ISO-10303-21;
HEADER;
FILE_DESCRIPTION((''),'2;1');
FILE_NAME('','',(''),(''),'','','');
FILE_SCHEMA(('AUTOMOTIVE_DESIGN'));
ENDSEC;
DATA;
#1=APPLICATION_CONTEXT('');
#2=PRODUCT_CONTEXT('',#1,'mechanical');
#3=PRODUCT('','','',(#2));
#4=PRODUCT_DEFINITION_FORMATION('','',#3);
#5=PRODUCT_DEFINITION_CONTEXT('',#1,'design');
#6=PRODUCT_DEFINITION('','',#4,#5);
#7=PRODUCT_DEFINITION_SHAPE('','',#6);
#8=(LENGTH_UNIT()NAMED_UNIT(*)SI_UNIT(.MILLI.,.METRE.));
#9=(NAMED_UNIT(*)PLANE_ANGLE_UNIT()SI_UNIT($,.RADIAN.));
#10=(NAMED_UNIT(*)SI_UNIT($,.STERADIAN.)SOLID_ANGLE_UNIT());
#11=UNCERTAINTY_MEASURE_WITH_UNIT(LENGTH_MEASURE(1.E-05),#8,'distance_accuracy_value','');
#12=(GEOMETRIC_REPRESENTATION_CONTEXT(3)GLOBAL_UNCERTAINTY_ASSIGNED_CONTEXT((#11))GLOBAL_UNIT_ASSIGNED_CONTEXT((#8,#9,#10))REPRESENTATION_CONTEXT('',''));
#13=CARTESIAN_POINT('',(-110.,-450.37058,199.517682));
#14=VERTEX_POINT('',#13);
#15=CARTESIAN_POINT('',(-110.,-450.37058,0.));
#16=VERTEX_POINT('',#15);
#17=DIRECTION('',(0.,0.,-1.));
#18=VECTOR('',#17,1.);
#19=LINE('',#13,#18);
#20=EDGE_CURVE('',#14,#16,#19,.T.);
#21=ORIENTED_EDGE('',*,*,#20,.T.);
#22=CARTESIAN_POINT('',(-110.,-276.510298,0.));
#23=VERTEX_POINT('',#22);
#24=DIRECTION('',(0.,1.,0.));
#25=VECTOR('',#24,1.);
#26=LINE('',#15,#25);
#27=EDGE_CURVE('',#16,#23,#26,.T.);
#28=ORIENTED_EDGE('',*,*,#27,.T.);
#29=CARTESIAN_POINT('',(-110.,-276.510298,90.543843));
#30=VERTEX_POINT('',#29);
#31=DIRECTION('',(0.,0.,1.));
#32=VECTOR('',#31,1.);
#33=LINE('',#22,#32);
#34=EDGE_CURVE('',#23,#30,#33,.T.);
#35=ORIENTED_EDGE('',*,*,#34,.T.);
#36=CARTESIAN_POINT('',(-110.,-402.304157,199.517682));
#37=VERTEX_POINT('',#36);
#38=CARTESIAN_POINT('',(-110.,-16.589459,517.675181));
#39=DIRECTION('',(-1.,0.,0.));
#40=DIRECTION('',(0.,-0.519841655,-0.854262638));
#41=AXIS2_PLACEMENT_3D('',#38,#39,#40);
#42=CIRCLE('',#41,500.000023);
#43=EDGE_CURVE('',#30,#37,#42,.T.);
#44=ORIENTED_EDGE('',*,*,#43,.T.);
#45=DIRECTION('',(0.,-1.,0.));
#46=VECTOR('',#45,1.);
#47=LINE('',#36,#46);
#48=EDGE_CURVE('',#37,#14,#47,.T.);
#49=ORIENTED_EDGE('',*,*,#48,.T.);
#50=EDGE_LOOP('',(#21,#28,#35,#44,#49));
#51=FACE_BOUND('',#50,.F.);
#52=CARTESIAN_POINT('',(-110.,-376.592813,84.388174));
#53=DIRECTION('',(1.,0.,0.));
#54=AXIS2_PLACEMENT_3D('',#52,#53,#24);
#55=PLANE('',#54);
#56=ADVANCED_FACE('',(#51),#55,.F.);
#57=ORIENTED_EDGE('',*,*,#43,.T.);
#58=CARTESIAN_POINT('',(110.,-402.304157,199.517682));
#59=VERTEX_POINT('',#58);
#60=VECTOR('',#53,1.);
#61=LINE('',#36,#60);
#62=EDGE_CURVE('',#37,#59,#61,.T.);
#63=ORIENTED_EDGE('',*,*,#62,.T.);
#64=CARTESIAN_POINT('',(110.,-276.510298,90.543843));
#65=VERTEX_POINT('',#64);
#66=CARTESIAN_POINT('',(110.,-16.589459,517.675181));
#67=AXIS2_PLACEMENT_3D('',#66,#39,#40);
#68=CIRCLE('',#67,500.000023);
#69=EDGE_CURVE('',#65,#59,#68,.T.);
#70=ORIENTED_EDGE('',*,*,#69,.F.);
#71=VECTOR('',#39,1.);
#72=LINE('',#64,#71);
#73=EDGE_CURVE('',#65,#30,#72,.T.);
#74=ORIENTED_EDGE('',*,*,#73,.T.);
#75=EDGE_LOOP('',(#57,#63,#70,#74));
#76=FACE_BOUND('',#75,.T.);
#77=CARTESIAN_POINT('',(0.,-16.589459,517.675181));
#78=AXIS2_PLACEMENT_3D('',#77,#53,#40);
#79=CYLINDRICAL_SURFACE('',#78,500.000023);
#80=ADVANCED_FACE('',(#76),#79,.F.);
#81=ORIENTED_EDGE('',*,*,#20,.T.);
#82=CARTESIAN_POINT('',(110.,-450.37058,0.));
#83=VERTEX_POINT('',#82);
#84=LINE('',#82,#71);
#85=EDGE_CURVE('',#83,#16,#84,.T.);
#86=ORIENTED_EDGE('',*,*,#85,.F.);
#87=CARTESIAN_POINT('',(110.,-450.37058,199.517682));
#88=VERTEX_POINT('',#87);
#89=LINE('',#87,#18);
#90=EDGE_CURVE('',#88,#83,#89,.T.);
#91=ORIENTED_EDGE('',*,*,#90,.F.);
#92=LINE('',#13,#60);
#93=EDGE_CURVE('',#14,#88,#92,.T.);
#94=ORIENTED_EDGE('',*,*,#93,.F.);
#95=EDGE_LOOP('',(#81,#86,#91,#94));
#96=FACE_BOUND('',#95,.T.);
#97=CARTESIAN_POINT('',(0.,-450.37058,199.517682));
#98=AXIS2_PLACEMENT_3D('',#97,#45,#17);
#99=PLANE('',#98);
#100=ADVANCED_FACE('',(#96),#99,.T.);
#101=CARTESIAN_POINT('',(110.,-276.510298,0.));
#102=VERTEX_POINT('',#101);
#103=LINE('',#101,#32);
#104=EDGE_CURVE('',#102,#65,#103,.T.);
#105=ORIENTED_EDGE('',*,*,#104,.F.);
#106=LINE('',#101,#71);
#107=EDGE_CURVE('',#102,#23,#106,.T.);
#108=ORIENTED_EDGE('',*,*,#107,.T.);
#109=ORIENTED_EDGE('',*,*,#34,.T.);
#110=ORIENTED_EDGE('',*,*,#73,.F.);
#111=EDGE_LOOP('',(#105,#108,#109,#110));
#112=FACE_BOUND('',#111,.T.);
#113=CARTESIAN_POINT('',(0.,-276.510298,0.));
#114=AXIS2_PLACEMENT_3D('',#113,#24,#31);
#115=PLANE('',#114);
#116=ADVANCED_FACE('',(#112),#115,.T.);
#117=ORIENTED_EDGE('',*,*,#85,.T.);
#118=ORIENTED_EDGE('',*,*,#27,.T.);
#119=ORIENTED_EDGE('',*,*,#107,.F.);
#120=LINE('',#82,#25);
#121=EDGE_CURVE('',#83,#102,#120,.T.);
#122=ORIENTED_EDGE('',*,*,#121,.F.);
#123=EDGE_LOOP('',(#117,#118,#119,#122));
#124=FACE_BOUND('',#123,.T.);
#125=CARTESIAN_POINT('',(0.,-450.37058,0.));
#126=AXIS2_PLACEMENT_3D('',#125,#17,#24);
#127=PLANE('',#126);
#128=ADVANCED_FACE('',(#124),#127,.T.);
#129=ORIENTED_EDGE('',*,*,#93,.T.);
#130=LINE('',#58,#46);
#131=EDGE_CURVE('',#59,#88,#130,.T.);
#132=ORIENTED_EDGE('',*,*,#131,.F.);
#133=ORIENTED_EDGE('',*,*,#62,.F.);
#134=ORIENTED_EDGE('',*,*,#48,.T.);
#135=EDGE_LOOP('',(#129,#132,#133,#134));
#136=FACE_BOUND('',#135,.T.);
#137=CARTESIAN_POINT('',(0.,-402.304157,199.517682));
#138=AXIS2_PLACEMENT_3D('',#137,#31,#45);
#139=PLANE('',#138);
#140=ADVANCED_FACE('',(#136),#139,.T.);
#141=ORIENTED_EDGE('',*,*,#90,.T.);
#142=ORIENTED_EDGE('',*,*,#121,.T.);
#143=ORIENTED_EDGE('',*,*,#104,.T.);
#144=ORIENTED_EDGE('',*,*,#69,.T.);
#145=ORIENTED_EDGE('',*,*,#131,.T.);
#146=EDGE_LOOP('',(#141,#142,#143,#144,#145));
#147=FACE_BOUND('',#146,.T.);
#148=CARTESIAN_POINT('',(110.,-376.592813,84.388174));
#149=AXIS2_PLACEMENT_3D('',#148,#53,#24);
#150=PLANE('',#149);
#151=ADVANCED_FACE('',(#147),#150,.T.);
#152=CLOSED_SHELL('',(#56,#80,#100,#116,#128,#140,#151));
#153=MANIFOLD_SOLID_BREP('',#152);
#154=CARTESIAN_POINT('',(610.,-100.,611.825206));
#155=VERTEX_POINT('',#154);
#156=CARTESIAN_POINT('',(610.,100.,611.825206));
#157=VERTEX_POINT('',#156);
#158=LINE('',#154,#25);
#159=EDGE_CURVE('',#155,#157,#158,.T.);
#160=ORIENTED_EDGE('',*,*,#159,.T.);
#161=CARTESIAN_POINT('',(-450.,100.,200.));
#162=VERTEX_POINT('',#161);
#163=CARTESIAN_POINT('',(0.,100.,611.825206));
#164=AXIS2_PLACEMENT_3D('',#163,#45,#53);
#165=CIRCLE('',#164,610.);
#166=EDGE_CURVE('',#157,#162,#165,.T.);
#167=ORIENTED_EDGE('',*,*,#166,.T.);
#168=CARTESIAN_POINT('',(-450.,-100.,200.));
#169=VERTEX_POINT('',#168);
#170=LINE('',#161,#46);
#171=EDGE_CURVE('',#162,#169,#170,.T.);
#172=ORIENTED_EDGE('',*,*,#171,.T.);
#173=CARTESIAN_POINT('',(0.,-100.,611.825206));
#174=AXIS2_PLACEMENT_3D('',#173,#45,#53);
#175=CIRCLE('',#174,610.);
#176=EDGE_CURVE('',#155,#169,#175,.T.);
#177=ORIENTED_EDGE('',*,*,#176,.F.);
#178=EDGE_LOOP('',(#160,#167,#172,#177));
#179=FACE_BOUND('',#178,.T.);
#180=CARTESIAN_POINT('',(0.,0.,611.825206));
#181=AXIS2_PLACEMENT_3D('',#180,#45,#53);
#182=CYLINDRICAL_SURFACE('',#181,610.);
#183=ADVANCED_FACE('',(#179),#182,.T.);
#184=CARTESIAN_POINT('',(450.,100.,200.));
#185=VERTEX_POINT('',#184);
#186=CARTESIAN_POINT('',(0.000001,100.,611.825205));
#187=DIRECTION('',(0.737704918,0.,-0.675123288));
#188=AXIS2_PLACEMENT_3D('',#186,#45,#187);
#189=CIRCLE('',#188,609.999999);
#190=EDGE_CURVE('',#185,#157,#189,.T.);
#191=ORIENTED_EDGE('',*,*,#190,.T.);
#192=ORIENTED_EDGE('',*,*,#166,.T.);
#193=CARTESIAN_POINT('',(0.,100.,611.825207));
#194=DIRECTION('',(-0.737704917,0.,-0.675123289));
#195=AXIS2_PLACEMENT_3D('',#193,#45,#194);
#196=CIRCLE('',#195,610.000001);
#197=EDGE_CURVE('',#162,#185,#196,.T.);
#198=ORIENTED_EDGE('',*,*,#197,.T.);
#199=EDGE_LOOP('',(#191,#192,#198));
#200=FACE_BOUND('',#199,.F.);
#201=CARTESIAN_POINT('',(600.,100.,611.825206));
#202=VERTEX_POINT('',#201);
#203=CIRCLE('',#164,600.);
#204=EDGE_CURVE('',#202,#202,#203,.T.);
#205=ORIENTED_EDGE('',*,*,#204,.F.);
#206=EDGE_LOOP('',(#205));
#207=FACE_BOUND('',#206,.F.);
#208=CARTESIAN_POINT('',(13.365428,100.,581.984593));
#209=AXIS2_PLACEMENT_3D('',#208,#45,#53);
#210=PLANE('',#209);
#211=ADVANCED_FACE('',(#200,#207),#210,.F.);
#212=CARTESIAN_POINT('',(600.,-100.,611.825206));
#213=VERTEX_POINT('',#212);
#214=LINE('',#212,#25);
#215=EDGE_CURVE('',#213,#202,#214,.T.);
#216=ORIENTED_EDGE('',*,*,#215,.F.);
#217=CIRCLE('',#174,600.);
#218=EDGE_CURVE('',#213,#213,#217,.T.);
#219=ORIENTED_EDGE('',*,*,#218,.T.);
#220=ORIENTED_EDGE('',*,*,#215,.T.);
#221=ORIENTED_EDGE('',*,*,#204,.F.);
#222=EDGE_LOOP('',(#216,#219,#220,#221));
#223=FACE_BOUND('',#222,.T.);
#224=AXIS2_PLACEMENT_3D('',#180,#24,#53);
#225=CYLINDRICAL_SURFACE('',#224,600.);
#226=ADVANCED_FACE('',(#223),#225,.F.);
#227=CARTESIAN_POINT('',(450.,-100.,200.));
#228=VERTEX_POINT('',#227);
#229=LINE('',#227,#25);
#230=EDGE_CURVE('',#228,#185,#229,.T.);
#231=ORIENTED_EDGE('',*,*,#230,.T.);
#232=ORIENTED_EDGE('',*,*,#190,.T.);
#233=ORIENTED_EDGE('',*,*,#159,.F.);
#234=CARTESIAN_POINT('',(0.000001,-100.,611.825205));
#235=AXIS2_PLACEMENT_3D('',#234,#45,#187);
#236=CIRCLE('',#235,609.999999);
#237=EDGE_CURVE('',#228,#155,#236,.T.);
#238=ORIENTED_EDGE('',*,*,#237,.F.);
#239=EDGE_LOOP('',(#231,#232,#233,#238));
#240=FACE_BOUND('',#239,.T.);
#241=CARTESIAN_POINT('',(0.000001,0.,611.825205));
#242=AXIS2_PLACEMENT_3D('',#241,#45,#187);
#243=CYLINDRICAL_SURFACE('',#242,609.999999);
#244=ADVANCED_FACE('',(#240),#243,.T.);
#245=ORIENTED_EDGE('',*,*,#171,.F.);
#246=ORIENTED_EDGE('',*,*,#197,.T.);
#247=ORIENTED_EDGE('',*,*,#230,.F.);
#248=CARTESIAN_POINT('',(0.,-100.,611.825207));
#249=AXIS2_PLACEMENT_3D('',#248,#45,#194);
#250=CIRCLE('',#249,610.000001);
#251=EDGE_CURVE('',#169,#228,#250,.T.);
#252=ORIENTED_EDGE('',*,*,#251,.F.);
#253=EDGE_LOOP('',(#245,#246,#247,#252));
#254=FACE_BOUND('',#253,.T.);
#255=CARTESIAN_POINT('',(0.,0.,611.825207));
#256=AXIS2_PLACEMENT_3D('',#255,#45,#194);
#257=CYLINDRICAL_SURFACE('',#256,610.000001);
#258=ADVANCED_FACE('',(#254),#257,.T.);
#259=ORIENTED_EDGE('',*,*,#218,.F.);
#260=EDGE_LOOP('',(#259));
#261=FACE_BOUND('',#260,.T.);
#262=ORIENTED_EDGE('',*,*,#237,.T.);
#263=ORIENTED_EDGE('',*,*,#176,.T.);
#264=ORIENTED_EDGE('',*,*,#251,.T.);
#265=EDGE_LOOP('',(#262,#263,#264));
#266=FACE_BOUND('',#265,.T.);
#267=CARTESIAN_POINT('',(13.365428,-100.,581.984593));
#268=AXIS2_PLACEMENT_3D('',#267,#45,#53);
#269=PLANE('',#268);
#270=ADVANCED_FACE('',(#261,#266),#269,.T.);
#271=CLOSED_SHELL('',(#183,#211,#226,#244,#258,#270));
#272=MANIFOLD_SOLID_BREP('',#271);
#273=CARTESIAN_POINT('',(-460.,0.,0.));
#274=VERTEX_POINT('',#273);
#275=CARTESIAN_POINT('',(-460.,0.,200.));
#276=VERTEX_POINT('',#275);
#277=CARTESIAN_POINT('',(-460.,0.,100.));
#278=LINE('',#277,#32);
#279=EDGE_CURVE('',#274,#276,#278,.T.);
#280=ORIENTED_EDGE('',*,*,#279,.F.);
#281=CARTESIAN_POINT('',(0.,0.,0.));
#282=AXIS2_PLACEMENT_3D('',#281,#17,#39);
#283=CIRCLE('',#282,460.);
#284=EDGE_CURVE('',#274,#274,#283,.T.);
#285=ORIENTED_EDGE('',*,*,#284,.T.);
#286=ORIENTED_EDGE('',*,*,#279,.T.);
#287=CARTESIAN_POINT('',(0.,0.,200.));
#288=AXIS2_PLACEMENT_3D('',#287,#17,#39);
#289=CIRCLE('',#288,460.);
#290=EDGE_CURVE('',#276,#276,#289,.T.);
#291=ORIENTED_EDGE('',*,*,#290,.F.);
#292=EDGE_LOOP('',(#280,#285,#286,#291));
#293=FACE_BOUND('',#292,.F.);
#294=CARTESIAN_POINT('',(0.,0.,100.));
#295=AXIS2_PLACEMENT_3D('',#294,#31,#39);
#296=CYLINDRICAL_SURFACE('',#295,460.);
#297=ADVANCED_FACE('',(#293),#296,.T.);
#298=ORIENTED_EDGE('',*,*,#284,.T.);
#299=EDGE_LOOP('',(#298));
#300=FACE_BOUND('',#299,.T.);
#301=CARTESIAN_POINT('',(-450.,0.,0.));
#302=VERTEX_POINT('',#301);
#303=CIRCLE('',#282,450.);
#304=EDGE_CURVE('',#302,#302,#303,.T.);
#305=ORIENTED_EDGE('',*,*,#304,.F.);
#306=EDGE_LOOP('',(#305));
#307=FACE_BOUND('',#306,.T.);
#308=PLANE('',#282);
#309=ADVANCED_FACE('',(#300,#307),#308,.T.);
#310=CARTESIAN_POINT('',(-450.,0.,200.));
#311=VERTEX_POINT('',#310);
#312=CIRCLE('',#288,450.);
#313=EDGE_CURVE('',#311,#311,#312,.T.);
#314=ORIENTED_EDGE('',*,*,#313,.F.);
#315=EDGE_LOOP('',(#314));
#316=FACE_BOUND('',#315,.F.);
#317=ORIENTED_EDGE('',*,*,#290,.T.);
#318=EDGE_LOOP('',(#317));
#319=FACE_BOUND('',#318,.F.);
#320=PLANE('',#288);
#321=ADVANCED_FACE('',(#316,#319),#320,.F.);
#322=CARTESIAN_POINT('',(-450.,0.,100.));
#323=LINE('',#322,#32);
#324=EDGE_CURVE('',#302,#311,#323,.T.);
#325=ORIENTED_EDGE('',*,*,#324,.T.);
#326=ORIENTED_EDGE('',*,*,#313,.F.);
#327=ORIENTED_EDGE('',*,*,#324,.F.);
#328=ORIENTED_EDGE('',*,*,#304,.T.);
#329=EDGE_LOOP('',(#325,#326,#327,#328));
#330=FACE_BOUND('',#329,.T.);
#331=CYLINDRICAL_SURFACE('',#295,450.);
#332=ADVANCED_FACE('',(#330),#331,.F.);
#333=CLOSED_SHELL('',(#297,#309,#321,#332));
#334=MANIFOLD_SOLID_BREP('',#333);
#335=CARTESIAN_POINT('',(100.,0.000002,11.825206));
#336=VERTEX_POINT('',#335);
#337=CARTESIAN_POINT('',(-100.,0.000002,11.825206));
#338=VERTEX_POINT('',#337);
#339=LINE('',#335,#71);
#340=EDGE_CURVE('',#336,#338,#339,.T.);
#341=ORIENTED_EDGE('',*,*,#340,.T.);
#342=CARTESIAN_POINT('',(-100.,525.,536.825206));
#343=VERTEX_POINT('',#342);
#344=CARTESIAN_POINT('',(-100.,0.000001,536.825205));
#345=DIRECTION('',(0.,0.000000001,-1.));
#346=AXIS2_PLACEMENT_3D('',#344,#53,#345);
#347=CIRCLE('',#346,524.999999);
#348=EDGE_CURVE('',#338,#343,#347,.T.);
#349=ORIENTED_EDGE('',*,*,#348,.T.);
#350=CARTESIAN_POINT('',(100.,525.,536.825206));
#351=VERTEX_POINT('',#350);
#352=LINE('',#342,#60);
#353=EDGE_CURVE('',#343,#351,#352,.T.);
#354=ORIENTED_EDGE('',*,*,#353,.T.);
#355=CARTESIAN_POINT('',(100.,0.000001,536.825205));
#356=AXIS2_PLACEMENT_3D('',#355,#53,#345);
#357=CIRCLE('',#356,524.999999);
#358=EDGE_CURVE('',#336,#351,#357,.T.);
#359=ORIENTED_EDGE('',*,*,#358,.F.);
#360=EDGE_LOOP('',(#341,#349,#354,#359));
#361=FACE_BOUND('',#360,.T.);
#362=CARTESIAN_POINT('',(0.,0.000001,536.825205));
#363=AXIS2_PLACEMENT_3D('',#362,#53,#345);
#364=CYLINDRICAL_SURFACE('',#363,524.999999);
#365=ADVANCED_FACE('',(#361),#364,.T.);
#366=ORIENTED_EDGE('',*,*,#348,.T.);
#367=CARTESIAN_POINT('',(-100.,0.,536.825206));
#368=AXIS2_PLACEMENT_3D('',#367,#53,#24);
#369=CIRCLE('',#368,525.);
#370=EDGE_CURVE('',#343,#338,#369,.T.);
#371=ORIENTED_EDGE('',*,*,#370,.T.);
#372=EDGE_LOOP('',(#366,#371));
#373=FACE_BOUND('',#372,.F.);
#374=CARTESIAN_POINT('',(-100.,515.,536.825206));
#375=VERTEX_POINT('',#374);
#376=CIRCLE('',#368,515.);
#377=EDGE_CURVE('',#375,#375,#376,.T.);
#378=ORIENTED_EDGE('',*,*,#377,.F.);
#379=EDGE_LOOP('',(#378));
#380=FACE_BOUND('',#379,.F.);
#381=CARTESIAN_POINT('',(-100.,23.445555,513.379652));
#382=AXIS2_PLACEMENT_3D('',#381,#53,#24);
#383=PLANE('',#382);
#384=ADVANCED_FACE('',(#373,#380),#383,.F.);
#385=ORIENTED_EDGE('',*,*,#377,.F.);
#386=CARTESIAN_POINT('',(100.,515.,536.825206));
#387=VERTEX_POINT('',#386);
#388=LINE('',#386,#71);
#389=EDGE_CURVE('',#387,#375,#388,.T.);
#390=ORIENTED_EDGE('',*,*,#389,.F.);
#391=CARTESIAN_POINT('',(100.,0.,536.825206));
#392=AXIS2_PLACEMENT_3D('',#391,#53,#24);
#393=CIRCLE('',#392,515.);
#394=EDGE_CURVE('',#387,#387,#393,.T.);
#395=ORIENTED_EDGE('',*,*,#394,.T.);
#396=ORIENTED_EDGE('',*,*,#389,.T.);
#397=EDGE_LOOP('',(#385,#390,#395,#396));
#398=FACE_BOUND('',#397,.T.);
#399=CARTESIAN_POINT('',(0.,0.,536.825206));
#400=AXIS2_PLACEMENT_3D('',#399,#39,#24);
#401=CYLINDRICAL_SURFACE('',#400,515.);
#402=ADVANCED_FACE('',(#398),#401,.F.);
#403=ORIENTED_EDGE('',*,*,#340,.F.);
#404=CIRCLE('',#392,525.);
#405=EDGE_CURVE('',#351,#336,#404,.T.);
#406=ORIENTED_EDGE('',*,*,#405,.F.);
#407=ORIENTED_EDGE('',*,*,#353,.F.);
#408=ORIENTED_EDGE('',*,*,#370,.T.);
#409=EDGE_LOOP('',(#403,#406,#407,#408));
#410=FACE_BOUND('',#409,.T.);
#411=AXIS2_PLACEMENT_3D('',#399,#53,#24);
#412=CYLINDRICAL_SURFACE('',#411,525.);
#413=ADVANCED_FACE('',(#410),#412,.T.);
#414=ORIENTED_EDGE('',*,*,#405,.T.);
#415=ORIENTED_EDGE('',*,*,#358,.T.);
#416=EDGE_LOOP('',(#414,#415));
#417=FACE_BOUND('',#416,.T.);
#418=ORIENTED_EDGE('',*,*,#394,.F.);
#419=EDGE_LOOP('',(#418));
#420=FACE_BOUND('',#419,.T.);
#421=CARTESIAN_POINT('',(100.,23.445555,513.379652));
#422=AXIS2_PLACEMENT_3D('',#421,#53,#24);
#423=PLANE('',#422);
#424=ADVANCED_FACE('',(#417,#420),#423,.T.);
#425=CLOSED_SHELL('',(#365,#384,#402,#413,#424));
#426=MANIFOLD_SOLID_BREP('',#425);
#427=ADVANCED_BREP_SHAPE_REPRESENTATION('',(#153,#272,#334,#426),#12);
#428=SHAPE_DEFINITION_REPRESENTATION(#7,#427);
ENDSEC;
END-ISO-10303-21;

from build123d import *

# Parameters (mm, degrees)
F0_R     = 600
F1_DEPTH = 100
F0_W     = 10
F0_H     = 200
F4_R     = 515
F5_DEPTH = 100
F7_DEPTH = 110


with BuildPart() as f1:
    # F0 (on Front) → F1 (new body, symmetric)
    with BuildSketch(Plane.XZ):
        with BuildLine():
            ThreePointArc((610, 611.825206), (-220.90722, 1180.419965), (-450, 200))
            ThreePointArc((-450, 200), (0, 1.825206), (450, 200))
            ThreePointArc((450, 200), (568.594759, 390.917985), (610, 611.825206))
        make_face()
        with Locations((0, 611.825206)):
            Circle(F0_R, mode=Mode.SUBTRACT)
    extrude(amount=F1_DEPTH, both=True)


with BuildPart() as f3:
    # F0 (on Front) → F3 (revolve)
    with BuildSketch(Plane.XZ):
        with Locations((-455, 100)):
            Rectangle(F0_W, F0_H)
    revolve(axis=Axis((0, 0, 82.918629), (0, 0, -1)))


with BuildPart() as f5:
    # F4 (on Right) → F5 (new body, symmetric)
    with BuildSketch(Plane.YZ):
        with BuildLine():
            ThreePointArc((2e-06, 11.825206), (371.231061, 165.594146), (525, 536.825206))
            ThreePointArc((525, 536.825206), (-371.231061, 908.056265), (2e-06, 11.825206))
        make_face()
        with Locations((0, 536.825206)):
            Circle(F4_R, mode=Mode.SUBTRACT)
    extrude(amount=F5_DEPTH, both=True)


with BuildPart() as f7:
    # F6 (on Right) → F7 (new body, symmetric)
    with BuildSketch(Plane.YZ):
        with BuildLine():
            ThreePointArc((-276.510298, 90.543843), (-343.973234, 139.759997), (-402.304157, 199.517682))
            Line((-402.304157, 199.517682), (-450.37058, 199.517682))
            Line((-450.37058, 199.517682), (-450.37058, 0))
            Line((-450.37058, 0), (-276.510298, 0))
            Line((-276.510298, 0), (-276.510298, 90.543843))
        make_face()
    extrude(amount=F7_DEPTH, both=True)


solid = Compound([f1.part, f3.part, f5.part, f7.part])
